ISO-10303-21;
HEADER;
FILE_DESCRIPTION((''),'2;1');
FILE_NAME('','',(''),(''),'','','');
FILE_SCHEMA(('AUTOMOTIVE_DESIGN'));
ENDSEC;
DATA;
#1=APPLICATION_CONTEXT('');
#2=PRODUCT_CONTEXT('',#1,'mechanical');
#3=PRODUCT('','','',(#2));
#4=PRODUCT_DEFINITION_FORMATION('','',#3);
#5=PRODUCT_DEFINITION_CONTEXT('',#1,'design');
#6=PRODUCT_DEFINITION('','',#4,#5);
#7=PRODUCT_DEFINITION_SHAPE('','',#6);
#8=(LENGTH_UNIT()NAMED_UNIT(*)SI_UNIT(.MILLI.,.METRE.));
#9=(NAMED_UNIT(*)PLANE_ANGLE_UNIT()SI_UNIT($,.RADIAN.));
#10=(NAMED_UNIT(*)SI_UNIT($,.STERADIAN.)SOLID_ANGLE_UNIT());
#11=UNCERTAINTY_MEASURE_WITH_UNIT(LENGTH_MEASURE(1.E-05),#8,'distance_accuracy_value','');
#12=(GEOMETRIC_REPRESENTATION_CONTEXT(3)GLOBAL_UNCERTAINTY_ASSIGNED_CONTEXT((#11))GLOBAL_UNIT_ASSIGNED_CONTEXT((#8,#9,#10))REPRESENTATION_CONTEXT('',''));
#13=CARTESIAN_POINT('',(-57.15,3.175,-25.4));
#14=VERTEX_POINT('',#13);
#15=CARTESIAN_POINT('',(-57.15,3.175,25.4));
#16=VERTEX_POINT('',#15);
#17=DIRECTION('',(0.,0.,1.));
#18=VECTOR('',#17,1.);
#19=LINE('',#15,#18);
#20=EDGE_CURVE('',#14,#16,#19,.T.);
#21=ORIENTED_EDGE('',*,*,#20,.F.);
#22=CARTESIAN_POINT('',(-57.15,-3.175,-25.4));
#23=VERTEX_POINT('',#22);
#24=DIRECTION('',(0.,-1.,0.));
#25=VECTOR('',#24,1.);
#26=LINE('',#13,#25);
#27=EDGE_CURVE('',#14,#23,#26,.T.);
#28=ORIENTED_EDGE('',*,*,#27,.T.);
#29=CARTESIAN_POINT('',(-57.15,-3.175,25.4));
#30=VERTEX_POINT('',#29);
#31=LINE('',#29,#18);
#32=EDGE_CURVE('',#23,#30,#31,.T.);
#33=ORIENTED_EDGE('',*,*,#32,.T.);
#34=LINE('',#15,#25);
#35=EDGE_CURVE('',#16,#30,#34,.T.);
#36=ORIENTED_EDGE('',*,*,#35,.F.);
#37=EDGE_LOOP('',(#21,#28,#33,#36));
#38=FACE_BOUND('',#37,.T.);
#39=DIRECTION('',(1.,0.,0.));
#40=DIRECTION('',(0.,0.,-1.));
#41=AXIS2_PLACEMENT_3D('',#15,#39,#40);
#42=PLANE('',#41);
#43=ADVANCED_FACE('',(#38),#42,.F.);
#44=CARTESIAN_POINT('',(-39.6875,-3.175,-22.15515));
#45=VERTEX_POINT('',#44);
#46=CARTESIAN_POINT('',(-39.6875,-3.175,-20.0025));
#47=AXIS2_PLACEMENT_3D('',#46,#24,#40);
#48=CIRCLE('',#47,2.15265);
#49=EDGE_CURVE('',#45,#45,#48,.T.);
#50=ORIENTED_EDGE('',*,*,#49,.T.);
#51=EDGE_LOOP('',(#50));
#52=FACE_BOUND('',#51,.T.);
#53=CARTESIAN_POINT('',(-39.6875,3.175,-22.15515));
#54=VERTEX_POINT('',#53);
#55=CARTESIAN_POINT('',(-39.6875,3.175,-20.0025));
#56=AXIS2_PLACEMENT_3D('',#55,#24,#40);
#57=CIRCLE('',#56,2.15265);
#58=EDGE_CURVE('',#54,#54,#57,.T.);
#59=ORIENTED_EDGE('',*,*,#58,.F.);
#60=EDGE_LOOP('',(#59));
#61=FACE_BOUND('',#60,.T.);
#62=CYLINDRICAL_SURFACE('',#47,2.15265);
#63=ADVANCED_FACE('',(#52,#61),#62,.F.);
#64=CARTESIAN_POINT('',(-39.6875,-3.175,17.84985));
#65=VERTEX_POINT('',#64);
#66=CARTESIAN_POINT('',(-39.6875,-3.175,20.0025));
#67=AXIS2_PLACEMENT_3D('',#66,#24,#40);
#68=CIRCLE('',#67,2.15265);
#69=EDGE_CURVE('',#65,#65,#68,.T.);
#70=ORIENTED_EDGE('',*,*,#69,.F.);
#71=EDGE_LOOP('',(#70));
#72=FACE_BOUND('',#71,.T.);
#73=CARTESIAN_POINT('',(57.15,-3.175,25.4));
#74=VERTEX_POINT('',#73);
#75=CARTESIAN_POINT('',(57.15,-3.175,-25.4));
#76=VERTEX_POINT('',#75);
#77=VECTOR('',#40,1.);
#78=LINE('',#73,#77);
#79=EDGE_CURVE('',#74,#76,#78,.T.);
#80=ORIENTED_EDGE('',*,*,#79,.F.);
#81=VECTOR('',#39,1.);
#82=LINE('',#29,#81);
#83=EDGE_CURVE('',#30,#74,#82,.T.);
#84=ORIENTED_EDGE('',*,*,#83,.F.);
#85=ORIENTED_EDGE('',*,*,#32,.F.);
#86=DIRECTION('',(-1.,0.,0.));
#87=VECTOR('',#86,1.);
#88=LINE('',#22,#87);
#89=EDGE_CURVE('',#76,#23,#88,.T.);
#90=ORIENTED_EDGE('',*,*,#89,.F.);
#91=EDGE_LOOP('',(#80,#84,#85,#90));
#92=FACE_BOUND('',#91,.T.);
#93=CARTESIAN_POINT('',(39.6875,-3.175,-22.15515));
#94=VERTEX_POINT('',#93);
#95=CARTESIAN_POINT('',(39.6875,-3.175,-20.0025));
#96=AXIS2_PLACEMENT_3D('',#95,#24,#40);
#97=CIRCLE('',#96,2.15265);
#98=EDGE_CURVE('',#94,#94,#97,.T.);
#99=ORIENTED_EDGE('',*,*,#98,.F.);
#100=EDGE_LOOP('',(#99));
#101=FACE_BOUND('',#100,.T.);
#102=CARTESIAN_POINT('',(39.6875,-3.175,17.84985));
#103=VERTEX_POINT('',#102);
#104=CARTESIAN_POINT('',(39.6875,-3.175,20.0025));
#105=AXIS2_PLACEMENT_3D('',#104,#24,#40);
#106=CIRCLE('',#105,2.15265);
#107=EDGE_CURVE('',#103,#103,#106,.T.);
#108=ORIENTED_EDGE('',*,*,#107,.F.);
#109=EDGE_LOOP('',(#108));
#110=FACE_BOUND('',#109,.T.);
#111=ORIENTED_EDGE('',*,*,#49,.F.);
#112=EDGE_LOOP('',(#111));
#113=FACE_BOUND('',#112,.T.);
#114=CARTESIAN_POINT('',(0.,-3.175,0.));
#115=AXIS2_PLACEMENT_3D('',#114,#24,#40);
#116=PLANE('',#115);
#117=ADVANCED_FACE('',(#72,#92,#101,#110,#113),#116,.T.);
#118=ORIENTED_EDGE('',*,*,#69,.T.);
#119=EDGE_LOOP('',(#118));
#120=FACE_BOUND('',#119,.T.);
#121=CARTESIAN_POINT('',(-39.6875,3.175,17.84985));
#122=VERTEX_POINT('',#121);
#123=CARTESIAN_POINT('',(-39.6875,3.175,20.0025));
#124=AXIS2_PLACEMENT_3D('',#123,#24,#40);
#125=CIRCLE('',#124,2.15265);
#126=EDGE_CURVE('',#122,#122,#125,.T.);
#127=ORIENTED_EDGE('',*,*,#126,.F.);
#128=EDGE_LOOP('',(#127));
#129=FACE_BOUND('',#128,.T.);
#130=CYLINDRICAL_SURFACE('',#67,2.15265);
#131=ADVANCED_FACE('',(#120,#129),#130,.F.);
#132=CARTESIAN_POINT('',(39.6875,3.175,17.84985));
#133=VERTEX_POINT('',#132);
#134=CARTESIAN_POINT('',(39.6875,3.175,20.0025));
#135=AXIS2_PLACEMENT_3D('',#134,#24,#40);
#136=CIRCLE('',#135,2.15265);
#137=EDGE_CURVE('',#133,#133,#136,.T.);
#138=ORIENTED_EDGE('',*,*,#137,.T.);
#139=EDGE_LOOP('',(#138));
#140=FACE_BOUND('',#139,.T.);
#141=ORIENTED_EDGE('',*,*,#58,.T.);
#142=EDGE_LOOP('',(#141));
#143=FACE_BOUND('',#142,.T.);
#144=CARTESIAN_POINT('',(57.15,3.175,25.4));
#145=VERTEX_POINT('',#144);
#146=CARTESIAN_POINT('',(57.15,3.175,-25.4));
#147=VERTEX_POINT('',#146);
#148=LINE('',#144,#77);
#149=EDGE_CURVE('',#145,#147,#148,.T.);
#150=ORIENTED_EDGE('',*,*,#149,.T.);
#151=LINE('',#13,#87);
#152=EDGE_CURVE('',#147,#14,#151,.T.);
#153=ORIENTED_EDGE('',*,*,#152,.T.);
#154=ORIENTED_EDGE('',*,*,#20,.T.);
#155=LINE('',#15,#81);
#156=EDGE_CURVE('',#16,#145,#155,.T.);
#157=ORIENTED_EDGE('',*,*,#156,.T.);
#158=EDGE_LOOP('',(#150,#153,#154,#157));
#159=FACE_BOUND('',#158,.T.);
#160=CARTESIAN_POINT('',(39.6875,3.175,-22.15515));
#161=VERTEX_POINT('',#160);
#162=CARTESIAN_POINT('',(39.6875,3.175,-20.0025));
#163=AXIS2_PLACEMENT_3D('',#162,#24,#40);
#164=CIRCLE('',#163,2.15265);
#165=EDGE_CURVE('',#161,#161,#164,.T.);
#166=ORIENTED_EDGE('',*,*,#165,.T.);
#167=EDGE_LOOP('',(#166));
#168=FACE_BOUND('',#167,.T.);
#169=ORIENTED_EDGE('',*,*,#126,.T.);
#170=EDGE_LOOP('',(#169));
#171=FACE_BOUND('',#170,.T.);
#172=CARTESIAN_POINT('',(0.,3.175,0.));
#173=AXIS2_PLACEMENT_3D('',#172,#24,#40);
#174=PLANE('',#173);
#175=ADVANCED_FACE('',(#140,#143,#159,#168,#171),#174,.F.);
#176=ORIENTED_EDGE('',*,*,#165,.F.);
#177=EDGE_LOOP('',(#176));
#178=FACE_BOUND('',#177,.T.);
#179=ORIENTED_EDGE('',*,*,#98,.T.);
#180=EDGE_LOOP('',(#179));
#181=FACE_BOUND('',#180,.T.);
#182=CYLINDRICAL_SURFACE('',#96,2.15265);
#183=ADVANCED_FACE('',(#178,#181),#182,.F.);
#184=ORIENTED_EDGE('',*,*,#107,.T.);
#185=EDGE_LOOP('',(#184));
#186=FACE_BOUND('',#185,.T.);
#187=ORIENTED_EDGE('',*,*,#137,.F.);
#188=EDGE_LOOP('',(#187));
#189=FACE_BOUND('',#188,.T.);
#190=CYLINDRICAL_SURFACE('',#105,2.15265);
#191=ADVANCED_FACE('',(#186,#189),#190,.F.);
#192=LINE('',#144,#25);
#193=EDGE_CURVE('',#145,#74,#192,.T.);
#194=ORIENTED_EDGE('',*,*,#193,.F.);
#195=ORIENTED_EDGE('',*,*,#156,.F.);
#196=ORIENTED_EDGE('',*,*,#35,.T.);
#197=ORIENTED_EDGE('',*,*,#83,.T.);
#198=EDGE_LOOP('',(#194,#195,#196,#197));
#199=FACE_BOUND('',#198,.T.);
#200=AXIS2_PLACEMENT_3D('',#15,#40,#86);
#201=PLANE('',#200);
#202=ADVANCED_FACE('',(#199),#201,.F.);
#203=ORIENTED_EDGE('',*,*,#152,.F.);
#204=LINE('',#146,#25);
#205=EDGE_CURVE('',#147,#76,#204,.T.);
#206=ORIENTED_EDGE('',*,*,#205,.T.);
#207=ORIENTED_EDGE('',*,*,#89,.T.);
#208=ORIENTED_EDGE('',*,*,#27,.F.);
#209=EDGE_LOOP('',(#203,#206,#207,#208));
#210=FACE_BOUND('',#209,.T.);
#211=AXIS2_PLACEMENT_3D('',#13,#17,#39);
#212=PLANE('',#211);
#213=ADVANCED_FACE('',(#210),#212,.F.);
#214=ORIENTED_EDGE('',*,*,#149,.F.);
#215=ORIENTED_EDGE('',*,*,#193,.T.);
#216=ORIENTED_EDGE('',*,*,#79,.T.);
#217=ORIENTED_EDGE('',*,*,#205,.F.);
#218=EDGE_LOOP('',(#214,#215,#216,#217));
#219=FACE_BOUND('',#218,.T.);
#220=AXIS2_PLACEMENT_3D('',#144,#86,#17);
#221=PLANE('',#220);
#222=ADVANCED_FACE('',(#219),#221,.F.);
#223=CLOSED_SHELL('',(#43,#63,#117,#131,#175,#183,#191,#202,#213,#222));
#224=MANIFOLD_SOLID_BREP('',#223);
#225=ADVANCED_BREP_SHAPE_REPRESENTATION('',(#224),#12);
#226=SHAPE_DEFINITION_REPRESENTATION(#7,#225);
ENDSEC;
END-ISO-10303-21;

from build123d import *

# Parameters (mm, degrees)
SKETCH1_W                    = 114.3
SKETCH1_H                    = 50.8
BOSS_EXTRUDE1_DEPTH          = 3.175
F_18_0_1695_DIAMETER_HOLE1_D = 4.3053


with BuildPart() as part:
    # Sketch1 → Boss-Extrude1 (new, symmetric)
    with BuildSketch(Plane(origin=(0, 0, 0), x_dir=(1, 0, 0), z_dir=(0, 1, 0))):
        Rectangle(SKETCH1_W, SKETCH1_H)
    extrude(amount=BOSS_EXTRUDE1_DEPTH, both=True)

    # #18 (0.1695) Diameter Hole1 (through all)
    with Locations(Plane(origin=(0, -3.175, 0), x_dir=(-1, 0, 0), z_dir=(0, -1, 0))):
        with Locations((-39.6875, -20.0025), (-39.6875, 20.0025), (39.6875, 20.0025), (39.6875, -20.0025)):
            Hole(F_18_0_1695_DIAMETER_HOLE1_D / 2)


solid = part.part
